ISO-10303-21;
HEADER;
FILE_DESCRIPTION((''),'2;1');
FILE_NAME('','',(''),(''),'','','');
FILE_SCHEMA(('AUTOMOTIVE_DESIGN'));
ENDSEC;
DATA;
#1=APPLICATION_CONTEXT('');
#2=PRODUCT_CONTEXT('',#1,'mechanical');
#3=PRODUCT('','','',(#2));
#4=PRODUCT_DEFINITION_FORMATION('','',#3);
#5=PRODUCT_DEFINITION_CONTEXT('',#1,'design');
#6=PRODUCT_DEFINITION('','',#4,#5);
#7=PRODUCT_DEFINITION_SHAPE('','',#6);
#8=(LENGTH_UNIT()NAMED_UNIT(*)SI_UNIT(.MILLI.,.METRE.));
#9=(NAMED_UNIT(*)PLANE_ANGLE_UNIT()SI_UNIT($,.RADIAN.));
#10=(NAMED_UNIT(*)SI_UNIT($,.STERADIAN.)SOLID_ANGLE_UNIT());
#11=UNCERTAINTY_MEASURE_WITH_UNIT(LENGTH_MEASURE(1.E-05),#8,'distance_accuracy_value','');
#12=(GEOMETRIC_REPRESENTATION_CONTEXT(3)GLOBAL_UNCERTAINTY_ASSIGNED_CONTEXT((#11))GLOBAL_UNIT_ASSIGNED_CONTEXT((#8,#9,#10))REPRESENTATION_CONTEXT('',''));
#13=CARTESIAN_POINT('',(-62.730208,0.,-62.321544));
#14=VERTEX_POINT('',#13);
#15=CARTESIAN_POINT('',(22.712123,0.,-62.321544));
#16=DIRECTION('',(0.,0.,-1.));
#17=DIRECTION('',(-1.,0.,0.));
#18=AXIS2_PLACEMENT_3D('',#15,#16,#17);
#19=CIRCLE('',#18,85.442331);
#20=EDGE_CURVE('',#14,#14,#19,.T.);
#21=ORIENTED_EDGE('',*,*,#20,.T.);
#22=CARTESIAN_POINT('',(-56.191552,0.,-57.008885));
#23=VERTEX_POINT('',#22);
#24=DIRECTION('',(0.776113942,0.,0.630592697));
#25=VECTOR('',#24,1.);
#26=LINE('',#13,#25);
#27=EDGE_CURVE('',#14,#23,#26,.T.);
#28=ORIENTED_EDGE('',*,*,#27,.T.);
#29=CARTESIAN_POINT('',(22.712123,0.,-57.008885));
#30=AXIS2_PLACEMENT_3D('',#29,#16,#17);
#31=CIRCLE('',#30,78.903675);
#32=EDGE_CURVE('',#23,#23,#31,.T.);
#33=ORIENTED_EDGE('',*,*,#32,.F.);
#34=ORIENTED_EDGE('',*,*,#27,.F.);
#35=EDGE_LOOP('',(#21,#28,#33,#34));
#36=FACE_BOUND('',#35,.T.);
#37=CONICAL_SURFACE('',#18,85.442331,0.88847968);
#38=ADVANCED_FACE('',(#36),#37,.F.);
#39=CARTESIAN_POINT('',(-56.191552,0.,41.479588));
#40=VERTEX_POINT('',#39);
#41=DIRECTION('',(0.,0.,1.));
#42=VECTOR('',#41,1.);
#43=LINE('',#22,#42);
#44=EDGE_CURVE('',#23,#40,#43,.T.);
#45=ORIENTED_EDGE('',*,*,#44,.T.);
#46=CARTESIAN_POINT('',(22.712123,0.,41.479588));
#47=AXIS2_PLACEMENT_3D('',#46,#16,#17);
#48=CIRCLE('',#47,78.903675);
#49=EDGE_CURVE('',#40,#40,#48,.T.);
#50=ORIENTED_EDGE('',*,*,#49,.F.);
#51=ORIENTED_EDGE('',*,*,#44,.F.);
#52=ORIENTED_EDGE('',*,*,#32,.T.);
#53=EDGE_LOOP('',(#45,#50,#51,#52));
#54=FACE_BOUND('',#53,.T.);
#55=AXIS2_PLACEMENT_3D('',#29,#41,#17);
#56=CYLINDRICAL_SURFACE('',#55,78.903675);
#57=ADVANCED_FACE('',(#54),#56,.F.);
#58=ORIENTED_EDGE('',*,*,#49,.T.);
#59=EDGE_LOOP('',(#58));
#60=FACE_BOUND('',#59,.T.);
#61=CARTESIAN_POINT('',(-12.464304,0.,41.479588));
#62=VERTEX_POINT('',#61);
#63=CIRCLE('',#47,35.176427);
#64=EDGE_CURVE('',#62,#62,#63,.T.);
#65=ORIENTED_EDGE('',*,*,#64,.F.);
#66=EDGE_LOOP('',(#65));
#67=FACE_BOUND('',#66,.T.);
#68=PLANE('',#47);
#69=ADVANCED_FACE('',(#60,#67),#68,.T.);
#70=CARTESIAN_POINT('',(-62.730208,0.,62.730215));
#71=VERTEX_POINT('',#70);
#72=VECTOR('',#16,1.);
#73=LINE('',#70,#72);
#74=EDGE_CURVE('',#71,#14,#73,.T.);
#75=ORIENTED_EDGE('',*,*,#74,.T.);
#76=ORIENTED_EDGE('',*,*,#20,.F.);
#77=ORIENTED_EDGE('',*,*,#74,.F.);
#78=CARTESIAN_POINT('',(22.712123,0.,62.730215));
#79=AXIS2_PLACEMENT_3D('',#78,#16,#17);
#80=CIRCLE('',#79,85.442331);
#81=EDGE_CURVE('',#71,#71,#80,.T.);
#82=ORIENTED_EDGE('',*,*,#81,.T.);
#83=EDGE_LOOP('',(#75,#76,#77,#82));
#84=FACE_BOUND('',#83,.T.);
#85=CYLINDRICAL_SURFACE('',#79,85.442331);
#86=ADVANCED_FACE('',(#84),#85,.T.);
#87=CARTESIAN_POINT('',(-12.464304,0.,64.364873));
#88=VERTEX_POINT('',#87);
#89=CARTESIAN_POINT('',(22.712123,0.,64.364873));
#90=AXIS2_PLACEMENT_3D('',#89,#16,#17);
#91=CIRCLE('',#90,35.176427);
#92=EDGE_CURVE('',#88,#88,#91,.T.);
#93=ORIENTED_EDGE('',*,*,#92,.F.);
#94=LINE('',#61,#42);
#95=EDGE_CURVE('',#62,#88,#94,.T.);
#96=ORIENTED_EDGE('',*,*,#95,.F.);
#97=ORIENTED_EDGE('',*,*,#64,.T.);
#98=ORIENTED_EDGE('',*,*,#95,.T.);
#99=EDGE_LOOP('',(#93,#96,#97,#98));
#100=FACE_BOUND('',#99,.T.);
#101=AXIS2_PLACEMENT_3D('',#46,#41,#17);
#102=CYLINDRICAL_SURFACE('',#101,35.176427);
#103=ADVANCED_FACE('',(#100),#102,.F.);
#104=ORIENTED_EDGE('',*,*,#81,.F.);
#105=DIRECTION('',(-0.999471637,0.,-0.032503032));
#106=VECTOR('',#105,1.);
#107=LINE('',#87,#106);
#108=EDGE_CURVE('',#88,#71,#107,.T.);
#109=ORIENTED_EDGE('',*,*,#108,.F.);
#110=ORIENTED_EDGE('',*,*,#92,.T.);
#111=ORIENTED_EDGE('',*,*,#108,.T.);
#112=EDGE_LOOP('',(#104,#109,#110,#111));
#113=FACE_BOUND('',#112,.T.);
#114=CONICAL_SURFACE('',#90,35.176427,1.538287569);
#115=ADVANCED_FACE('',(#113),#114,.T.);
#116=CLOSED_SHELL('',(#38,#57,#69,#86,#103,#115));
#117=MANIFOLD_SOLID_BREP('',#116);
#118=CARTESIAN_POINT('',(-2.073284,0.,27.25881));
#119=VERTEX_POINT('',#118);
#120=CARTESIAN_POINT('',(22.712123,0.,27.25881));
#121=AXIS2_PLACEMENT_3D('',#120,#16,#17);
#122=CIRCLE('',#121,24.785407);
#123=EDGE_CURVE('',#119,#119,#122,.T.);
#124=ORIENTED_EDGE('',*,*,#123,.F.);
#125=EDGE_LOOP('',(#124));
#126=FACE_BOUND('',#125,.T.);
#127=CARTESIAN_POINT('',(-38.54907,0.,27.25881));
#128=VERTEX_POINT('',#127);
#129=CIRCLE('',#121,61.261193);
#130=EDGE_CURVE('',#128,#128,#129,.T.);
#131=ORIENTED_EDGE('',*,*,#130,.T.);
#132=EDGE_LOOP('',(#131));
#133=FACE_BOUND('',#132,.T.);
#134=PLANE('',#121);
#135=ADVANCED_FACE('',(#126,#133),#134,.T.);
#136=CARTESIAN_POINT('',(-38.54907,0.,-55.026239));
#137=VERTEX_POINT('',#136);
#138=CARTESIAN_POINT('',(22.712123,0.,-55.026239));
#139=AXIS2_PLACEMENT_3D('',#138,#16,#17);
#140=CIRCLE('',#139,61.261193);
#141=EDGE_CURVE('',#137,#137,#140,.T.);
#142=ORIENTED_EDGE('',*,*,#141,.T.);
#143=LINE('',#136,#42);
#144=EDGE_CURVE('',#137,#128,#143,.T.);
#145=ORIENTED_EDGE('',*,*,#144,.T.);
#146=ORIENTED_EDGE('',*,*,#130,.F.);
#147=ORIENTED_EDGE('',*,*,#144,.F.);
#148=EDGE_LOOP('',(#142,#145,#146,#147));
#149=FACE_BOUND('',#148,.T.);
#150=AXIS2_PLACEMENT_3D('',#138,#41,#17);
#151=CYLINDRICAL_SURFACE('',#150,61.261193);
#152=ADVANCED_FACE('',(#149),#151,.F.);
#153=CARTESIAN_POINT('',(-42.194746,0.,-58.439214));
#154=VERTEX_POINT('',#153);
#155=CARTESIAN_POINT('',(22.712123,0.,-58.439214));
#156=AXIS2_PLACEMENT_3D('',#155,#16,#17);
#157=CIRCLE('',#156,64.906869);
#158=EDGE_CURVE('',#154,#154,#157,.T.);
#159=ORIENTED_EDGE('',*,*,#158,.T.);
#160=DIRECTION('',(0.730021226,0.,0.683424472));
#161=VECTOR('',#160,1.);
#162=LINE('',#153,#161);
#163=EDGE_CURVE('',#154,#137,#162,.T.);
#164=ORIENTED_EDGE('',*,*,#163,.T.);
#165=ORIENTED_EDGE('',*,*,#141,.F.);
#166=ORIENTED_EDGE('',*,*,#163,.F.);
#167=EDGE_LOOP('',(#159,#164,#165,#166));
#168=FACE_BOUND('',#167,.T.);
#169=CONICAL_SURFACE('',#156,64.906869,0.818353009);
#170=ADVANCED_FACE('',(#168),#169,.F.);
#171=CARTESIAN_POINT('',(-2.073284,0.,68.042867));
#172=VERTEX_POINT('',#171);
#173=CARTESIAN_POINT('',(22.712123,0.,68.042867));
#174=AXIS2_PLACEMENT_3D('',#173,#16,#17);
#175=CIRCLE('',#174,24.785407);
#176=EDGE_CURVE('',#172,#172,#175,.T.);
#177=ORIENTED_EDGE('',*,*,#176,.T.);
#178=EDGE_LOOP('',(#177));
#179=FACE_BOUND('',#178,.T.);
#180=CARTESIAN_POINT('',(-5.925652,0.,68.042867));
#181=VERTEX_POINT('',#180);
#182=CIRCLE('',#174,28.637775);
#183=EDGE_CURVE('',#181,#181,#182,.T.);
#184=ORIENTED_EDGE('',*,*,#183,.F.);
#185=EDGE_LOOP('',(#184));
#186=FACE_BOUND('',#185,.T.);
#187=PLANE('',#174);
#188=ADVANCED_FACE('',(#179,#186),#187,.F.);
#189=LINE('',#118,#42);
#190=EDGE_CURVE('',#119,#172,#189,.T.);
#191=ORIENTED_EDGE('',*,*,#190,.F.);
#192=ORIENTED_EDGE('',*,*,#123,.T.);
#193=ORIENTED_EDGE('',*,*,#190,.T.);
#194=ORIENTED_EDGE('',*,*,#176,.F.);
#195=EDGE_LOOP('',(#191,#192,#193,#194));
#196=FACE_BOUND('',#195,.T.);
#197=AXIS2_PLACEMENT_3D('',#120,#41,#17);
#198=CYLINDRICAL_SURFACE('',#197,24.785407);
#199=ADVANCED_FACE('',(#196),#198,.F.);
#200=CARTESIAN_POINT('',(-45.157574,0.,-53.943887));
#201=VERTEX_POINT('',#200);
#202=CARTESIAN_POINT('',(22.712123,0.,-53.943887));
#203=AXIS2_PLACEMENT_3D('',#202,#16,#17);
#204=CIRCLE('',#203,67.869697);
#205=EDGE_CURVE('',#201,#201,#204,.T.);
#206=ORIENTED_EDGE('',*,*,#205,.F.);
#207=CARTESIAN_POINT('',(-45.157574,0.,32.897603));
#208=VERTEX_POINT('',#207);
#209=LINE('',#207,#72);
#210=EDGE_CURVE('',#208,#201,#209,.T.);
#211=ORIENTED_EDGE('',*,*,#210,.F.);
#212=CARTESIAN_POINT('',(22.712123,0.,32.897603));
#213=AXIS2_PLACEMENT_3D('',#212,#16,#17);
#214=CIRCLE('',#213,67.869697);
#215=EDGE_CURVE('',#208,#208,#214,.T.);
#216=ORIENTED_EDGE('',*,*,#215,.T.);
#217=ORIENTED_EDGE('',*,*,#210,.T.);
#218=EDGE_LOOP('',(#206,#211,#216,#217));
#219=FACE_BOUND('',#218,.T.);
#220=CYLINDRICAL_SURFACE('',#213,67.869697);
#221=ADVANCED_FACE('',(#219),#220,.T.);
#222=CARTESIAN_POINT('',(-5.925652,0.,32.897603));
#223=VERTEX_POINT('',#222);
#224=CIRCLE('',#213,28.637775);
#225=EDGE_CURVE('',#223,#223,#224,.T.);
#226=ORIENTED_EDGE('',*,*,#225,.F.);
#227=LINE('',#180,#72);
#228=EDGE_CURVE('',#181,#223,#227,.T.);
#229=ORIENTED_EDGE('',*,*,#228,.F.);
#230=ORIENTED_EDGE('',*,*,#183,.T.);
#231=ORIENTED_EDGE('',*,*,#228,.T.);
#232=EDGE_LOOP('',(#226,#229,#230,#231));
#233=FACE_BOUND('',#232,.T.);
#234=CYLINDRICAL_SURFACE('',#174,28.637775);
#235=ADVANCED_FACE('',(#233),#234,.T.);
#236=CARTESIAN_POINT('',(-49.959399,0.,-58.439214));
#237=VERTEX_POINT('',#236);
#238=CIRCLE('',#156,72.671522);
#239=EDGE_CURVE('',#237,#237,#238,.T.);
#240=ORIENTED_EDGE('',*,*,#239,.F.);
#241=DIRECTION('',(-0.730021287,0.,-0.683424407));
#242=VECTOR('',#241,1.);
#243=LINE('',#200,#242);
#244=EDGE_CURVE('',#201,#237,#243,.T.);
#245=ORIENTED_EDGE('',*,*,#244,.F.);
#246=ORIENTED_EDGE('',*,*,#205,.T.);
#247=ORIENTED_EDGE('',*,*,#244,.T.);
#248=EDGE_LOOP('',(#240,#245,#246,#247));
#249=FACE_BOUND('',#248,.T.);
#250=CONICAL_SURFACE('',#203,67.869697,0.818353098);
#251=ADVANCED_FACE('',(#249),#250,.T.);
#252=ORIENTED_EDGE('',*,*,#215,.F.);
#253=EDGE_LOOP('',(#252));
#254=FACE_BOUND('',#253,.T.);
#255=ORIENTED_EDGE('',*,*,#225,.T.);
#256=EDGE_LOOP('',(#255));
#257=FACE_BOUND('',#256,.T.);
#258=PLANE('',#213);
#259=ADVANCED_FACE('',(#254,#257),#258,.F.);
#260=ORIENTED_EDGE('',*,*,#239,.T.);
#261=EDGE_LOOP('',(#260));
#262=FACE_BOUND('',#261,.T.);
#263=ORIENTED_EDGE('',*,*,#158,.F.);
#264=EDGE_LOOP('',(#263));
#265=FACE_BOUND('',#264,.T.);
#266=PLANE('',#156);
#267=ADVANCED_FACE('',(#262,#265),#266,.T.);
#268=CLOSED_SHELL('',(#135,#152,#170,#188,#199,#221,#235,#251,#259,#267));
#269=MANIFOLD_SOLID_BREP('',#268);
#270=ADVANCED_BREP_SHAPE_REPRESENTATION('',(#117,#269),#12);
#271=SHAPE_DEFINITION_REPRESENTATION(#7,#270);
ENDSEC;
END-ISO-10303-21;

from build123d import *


with BuildPart() as f2:
    # F0 (on Front) → F2 (revolve)
    with BuildSketch(Plane.XZ):
        Polygon((-12.464304, 41.479588), (-12.464304, 64.364873), (-62.730208, 62.730215), (-62.730208, -62.321544), (-56.191552, -57.008885), (-56.191552, 41.479588), align=None)
        Polygon((-2.073284, 68.042867), (-5.925652, 68.042867), (-5.925652, 32.897603), (-45.157574, 32.897603), (-45.157574, -53.943887), (-49.959399, -58.439214), (-42.194746, -58.439214), (-38.54907, -55.026239), (-38.54907, 27.25881), (-2.073284, 27.25881), align=None)
    revolve(axis=Axis((22.712123, 0, 6.725805), (0, 0, -1)))


solid = f2.part
